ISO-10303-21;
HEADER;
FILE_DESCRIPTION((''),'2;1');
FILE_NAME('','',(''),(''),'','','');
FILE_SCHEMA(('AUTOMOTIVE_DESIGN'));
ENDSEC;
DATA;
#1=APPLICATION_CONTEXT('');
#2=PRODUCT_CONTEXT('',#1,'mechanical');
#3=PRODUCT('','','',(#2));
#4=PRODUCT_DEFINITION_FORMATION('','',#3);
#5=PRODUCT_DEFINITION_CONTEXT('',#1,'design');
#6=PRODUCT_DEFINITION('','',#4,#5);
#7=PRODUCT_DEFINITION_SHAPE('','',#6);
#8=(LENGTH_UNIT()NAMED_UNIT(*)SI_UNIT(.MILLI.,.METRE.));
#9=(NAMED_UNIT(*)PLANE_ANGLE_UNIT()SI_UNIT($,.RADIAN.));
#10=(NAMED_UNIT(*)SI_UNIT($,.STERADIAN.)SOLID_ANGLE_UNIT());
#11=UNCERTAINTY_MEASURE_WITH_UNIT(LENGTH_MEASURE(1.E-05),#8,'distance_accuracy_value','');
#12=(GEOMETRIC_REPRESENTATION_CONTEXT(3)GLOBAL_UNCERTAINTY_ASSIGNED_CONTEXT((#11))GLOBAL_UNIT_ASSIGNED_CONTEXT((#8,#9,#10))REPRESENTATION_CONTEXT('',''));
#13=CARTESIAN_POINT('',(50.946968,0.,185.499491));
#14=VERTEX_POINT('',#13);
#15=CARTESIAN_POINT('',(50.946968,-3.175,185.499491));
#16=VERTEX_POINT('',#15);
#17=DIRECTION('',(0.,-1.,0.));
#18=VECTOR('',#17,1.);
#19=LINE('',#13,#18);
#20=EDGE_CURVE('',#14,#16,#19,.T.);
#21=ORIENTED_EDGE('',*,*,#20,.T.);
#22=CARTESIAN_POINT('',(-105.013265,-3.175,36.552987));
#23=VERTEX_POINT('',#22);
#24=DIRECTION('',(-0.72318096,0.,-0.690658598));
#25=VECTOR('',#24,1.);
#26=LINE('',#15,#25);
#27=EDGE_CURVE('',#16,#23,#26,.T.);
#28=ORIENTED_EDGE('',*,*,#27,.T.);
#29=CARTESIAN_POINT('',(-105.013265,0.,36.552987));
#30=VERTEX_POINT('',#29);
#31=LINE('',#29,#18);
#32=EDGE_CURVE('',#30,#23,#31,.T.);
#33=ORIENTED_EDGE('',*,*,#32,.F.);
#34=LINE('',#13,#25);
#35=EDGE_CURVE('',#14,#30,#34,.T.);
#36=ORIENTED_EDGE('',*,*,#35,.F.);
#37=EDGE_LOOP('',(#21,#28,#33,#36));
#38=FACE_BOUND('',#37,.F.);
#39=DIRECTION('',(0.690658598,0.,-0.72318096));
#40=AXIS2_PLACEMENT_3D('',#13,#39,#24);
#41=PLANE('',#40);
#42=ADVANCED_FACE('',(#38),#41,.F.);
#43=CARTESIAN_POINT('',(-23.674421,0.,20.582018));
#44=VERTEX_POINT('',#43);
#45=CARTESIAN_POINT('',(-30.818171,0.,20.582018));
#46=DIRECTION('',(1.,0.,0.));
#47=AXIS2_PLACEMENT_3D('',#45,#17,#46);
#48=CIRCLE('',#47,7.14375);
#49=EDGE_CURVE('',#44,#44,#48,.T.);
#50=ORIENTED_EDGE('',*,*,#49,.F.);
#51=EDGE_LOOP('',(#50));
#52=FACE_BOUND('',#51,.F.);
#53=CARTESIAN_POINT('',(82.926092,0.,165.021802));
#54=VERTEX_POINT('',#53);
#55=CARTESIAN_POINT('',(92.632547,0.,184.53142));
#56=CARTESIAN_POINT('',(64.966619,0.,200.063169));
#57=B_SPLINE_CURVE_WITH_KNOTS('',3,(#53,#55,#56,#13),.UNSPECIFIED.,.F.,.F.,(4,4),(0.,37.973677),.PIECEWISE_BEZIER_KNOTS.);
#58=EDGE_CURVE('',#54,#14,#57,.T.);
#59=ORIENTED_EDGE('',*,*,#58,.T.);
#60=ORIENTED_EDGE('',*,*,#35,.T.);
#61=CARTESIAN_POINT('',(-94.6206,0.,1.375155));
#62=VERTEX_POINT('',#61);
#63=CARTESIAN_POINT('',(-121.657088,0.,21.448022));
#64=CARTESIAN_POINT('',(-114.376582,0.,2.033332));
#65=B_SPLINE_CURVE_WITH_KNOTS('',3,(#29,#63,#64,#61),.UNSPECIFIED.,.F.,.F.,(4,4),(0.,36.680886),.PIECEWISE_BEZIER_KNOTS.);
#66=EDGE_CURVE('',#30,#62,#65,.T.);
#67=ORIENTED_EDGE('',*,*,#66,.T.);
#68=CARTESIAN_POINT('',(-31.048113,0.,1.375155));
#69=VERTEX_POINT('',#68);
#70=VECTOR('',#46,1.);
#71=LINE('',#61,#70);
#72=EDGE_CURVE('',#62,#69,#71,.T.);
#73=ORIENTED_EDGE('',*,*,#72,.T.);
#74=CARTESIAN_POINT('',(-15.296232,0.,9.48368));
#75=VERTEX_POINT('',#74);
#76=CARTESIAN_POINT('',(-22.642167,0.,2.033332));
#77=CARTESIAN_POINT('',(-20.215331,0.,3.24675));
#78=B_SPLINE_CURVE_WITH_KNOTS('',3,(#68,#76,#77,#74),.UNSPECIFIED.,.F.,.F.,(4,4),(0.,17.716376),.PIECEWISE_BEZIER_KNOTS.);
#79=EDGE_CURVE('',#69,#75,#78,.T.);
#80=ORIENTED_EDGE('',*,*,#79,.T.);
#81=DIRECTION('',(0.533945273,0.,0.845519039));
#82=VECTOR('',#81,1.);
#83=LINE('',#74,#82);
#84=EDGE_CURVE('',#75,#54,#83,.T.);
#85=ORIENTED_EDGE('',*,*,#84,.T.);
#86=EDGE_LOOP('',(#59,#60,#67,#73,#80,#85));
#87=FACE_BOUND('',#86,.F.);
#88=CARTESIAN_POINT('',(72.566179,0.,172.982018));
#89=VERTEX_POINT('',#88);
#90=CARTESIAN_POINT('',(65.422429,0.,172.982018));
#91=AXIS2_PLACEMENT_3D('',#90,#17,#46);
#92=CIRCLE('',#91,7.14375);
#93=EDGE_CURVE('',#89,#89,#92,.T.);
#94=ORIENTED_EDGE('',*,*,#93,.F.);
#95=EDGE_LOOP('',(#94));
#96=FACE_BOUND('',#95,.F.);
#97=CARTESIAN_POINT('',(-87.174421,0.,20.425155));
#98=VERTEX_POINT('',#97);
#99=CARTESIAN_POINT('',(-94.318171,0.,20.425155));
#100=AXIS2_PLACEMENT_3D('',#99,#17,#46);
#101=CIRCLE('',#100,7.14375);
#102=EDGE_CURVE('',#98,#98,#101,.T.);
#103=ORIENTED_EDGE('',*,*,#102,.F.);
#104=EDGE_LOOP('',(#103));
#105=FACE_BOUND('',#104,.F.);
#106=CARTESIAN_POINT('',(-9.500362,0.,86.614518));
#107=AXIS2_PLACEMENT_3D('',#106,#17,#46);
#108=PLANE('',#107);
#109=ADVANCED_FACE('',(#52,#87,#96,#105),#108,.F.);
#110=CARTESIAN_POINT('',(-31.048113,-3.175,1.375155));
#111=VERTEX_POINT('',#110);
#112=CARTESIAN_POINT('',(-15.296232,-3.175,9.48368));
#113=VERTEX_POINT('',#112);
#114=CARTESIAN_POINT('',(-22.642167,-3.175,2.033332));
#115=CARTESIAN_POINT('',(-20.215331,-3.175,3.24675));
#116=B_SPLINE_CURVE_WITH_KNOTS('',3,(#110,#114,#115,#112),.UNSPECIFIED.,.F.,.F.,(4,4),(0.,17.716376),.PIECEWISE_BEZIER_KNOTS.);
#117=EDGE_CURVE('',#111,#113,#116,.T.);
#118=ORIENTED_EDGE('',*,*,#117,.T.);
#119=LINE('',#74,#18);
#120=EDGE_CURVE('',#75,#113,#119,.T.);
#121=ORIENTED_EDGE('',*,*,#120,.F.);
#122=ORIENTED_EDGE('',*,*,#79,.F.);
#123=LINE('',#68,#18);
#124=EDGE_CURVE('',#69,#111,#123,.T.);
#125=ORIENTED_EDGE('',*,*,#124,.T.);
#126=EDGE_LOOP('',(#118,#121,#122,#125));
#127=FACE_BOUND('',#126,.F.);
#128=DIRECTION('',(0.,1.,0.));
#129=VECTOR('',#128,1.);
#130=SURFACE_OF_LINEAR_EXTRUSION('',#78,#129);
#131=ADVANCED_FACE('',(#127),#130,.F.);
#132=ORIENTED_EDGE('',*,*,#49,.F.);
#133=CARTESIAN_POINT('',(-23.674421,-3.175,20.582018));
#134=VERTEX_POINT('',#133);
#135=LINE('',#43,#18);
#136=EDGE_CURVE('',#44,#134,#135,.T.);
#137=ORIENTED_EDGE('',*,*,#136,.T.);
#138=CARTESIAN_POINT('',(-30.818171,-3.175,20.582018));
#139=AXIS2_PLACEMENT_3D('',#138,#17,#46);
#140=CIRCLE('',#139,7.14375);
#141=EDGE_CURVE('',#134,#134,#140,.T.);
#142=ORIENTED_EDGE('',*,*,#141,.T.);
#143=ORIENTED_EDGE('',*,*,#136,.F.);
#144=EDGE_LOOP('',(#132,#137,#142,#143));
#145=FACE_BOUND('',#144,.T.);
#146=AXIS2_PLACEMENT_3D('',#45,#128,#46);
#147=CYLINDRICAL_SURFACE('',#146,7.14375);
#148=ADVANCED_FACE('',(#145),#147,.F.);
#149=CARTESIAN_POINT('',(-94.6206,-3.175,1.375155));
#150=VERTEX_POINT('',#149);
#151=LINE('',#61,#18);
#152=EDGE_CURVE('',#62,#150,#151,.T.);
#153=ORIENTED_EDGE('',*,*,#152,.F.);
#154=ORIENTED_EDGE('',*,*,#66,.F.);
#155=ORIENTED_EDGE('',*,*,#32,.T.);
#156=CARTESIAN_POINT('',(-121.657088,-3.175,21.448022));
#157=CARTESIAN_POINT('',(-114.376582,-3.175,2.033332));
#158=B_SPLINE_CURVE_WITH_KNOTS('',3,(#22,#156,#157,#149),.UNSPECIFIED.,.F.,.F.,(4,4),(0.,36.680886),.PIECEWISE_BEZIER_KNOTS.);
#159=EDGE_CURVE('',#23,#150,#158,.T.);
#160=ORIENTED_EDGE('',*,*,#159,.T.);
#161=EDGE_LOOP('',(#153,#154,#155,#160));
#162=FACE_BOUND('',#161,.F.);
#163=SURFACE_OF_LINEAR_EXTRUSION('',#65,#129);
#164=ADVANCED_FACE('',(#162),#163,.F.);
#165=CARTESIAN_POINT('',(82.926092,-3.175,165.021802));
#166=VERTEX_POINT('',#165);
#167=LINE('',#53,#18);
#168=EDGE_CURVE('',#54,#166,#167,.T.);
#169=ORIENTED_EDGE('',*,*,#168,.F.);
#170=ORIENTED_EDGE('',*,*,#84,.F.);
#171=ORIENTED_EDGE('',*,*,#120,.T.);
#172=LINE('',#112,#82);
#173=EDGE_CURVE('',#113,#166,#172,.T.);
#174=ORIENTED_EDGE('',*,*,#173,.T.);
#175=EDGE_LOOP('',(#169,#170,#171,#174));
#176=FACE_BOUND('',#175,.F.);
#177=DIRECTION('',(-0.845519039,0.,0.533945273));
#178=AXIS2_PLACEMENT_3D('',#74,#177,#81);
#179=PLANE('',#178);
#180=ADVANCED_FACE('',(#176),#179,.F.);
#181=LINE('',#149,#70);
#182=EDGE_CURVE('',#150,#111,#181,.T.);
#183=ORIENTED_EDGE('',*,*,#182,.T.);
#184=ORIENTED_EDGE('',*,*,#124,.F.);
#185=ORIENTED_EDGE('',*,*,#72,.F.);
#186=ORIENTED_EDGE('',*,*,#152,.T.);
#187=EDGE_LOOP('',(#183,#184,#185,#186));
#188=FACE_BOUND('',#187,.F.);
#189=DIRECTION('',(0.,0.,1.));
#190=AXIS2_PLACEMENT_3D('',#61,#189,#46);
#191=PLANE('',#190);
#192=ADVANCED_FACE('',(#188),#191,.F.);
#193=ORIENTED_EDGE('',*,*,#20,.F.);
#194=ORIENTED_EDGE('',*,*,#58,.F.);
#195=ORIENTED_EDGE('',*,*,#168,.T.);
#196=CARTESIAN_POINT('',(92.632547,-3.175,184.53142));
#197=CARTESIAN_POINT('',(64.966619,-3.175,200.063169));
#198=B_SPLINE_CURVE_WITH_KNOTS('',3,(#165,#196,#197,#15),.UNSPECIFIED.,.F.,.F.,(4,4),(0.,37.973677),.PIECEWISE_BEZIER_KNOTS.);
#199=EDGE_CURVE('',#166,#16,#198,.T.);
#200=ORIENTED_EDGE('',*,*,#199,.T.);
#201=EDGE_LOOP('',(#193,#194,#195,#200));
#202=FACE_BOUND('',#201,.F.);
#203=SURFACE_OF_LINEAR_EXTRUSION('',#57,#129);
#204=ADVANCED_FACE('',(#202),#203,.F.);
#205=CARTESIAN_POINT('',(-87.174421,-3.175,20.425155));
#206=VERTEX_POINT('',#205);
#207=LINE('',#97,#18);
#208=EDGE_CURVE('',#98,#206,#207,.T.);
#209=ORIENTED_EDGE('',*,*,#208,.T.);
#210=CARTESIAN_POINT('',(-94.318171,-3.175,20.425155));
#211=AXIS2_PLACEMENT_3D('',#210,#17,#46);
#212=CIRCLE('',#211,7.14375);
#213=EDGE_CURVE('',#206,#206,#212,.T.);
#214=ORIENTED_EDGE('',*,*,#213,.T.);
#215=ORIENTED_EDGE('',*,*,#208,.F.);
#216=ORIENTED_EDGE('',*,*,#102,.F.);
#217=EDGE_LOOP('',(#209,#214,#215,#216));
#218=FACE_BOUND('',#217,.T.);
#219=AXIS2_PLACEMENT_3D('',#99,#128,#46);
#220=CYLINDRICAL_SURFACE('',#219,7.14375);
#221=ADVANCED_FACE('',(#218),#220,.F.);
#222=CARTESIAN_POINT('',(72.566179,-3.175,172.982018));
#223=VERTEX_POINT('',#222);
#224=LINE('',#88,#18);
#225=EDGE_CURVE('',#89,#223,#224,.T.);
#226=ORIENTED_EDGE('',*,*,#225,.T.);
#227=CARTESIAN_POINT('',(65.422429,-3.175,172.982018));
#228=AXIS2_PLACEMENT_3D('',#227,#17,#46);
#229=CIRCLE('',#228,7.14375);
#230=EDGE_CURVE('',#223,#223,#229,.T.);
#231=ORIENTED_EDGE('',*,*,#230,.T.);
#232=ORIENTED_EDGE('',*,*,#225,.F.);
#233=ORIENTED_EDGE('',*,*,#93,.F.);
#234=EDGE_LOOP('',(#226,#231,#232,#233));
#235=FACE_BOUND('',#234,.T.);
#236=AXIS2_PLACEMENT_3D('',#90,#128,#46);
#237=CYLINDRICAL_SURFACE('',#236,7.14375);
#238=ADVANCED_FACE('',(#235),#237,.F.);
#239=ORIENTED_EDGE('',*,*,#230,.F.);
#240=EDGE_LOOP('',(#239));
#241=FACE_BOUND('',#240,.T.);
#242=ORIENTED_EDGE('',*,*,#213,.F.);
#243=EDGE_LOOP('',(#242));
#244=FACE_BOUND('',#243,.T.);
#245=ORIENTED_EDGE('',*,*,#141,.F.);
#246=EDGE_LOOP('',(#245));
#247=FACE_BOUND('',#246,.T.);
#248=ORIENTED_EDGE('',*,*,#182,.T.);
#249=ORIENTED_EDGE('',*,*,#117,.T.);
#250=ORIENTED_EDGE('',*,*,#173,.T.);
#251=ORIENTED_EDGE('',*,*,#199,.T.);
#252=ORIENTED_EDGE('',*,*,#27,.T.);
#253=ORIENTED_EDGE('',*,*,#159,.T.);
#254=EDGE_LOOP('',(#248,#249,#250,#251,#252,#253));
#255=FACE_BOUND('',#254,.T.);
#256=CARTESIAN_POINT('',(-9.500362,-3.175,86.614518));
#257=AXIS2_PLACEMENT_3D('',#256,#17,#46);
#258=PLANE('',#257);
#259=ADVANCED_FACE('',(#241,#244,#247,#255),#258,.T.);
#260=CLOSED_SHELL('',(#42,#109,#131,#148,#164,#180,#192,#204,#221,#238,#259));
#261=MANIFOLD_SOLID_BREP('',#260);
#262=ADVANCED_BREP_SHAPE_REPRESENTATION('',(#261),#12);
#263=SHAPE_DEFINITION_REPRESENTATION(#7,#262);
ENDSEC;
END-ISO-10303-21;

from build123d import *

# Parameters (mm, degrees)
F0_R     = 7.14375
F1_DEPTH = 3.175


with BuildPart() as f1:
    # F0 (on Front) → F1 (new body)
    with BuildSketch(Plane.XZ):
        with BuildLine():
            add(Edge.make_bspline(
                [(82.926092, 165.021802), (92.632547, 184.53142), (64.966619, 200.063169), (50.946968, 185.499491)],
                knots=[0, 0, 0, 0, 37.973677, 37.973677, 37.973677, 37.973677], degree=3))
            Line((50.946968, 185.499491), (-105.013265, 36.552987))
            add(Edge.make_bspline(
                [(-105.013265, 36.552987), (-121.657088, 21.448022), (-114.376582, 2.033332), (-94.6206, 1.375155)],
                knots=[0, 0, 0, 0, 36.680886, 36.680886, 36.680886, 36.680886], degree=3))
            Line((-94.6206, 1.375155), (-31.048113, 1.375155))
            add(Edge.make_bspline(
                [(-31.048113, 1.375155), (-22.642167, 2.033332), (-20.215331, 3.24675), (-15.296232, 9.48368)],
                knots=[0, 0, 0, 0, 17.716376, 17.716376, 17.716376, 17.716376], degree=3))
            Line((-15.296232, 9.48368), (82.926092, 165.021802))
        make_face()
        with Locations((-94.318171, 20.425155)):
            Circle(F0_R, mode=Mode.SUBTRACT)
        with Locations((-30.818171, 20.582018)):
            Circle(F0_R, mode=Mode.SUBTRACT)
        with Locations((65.422429, 172.982018)):
            Circle(F0_R, mode=Mode.SUBTRACT)
    extrude(amount=F1_DEPTH)


solid = f1.part
